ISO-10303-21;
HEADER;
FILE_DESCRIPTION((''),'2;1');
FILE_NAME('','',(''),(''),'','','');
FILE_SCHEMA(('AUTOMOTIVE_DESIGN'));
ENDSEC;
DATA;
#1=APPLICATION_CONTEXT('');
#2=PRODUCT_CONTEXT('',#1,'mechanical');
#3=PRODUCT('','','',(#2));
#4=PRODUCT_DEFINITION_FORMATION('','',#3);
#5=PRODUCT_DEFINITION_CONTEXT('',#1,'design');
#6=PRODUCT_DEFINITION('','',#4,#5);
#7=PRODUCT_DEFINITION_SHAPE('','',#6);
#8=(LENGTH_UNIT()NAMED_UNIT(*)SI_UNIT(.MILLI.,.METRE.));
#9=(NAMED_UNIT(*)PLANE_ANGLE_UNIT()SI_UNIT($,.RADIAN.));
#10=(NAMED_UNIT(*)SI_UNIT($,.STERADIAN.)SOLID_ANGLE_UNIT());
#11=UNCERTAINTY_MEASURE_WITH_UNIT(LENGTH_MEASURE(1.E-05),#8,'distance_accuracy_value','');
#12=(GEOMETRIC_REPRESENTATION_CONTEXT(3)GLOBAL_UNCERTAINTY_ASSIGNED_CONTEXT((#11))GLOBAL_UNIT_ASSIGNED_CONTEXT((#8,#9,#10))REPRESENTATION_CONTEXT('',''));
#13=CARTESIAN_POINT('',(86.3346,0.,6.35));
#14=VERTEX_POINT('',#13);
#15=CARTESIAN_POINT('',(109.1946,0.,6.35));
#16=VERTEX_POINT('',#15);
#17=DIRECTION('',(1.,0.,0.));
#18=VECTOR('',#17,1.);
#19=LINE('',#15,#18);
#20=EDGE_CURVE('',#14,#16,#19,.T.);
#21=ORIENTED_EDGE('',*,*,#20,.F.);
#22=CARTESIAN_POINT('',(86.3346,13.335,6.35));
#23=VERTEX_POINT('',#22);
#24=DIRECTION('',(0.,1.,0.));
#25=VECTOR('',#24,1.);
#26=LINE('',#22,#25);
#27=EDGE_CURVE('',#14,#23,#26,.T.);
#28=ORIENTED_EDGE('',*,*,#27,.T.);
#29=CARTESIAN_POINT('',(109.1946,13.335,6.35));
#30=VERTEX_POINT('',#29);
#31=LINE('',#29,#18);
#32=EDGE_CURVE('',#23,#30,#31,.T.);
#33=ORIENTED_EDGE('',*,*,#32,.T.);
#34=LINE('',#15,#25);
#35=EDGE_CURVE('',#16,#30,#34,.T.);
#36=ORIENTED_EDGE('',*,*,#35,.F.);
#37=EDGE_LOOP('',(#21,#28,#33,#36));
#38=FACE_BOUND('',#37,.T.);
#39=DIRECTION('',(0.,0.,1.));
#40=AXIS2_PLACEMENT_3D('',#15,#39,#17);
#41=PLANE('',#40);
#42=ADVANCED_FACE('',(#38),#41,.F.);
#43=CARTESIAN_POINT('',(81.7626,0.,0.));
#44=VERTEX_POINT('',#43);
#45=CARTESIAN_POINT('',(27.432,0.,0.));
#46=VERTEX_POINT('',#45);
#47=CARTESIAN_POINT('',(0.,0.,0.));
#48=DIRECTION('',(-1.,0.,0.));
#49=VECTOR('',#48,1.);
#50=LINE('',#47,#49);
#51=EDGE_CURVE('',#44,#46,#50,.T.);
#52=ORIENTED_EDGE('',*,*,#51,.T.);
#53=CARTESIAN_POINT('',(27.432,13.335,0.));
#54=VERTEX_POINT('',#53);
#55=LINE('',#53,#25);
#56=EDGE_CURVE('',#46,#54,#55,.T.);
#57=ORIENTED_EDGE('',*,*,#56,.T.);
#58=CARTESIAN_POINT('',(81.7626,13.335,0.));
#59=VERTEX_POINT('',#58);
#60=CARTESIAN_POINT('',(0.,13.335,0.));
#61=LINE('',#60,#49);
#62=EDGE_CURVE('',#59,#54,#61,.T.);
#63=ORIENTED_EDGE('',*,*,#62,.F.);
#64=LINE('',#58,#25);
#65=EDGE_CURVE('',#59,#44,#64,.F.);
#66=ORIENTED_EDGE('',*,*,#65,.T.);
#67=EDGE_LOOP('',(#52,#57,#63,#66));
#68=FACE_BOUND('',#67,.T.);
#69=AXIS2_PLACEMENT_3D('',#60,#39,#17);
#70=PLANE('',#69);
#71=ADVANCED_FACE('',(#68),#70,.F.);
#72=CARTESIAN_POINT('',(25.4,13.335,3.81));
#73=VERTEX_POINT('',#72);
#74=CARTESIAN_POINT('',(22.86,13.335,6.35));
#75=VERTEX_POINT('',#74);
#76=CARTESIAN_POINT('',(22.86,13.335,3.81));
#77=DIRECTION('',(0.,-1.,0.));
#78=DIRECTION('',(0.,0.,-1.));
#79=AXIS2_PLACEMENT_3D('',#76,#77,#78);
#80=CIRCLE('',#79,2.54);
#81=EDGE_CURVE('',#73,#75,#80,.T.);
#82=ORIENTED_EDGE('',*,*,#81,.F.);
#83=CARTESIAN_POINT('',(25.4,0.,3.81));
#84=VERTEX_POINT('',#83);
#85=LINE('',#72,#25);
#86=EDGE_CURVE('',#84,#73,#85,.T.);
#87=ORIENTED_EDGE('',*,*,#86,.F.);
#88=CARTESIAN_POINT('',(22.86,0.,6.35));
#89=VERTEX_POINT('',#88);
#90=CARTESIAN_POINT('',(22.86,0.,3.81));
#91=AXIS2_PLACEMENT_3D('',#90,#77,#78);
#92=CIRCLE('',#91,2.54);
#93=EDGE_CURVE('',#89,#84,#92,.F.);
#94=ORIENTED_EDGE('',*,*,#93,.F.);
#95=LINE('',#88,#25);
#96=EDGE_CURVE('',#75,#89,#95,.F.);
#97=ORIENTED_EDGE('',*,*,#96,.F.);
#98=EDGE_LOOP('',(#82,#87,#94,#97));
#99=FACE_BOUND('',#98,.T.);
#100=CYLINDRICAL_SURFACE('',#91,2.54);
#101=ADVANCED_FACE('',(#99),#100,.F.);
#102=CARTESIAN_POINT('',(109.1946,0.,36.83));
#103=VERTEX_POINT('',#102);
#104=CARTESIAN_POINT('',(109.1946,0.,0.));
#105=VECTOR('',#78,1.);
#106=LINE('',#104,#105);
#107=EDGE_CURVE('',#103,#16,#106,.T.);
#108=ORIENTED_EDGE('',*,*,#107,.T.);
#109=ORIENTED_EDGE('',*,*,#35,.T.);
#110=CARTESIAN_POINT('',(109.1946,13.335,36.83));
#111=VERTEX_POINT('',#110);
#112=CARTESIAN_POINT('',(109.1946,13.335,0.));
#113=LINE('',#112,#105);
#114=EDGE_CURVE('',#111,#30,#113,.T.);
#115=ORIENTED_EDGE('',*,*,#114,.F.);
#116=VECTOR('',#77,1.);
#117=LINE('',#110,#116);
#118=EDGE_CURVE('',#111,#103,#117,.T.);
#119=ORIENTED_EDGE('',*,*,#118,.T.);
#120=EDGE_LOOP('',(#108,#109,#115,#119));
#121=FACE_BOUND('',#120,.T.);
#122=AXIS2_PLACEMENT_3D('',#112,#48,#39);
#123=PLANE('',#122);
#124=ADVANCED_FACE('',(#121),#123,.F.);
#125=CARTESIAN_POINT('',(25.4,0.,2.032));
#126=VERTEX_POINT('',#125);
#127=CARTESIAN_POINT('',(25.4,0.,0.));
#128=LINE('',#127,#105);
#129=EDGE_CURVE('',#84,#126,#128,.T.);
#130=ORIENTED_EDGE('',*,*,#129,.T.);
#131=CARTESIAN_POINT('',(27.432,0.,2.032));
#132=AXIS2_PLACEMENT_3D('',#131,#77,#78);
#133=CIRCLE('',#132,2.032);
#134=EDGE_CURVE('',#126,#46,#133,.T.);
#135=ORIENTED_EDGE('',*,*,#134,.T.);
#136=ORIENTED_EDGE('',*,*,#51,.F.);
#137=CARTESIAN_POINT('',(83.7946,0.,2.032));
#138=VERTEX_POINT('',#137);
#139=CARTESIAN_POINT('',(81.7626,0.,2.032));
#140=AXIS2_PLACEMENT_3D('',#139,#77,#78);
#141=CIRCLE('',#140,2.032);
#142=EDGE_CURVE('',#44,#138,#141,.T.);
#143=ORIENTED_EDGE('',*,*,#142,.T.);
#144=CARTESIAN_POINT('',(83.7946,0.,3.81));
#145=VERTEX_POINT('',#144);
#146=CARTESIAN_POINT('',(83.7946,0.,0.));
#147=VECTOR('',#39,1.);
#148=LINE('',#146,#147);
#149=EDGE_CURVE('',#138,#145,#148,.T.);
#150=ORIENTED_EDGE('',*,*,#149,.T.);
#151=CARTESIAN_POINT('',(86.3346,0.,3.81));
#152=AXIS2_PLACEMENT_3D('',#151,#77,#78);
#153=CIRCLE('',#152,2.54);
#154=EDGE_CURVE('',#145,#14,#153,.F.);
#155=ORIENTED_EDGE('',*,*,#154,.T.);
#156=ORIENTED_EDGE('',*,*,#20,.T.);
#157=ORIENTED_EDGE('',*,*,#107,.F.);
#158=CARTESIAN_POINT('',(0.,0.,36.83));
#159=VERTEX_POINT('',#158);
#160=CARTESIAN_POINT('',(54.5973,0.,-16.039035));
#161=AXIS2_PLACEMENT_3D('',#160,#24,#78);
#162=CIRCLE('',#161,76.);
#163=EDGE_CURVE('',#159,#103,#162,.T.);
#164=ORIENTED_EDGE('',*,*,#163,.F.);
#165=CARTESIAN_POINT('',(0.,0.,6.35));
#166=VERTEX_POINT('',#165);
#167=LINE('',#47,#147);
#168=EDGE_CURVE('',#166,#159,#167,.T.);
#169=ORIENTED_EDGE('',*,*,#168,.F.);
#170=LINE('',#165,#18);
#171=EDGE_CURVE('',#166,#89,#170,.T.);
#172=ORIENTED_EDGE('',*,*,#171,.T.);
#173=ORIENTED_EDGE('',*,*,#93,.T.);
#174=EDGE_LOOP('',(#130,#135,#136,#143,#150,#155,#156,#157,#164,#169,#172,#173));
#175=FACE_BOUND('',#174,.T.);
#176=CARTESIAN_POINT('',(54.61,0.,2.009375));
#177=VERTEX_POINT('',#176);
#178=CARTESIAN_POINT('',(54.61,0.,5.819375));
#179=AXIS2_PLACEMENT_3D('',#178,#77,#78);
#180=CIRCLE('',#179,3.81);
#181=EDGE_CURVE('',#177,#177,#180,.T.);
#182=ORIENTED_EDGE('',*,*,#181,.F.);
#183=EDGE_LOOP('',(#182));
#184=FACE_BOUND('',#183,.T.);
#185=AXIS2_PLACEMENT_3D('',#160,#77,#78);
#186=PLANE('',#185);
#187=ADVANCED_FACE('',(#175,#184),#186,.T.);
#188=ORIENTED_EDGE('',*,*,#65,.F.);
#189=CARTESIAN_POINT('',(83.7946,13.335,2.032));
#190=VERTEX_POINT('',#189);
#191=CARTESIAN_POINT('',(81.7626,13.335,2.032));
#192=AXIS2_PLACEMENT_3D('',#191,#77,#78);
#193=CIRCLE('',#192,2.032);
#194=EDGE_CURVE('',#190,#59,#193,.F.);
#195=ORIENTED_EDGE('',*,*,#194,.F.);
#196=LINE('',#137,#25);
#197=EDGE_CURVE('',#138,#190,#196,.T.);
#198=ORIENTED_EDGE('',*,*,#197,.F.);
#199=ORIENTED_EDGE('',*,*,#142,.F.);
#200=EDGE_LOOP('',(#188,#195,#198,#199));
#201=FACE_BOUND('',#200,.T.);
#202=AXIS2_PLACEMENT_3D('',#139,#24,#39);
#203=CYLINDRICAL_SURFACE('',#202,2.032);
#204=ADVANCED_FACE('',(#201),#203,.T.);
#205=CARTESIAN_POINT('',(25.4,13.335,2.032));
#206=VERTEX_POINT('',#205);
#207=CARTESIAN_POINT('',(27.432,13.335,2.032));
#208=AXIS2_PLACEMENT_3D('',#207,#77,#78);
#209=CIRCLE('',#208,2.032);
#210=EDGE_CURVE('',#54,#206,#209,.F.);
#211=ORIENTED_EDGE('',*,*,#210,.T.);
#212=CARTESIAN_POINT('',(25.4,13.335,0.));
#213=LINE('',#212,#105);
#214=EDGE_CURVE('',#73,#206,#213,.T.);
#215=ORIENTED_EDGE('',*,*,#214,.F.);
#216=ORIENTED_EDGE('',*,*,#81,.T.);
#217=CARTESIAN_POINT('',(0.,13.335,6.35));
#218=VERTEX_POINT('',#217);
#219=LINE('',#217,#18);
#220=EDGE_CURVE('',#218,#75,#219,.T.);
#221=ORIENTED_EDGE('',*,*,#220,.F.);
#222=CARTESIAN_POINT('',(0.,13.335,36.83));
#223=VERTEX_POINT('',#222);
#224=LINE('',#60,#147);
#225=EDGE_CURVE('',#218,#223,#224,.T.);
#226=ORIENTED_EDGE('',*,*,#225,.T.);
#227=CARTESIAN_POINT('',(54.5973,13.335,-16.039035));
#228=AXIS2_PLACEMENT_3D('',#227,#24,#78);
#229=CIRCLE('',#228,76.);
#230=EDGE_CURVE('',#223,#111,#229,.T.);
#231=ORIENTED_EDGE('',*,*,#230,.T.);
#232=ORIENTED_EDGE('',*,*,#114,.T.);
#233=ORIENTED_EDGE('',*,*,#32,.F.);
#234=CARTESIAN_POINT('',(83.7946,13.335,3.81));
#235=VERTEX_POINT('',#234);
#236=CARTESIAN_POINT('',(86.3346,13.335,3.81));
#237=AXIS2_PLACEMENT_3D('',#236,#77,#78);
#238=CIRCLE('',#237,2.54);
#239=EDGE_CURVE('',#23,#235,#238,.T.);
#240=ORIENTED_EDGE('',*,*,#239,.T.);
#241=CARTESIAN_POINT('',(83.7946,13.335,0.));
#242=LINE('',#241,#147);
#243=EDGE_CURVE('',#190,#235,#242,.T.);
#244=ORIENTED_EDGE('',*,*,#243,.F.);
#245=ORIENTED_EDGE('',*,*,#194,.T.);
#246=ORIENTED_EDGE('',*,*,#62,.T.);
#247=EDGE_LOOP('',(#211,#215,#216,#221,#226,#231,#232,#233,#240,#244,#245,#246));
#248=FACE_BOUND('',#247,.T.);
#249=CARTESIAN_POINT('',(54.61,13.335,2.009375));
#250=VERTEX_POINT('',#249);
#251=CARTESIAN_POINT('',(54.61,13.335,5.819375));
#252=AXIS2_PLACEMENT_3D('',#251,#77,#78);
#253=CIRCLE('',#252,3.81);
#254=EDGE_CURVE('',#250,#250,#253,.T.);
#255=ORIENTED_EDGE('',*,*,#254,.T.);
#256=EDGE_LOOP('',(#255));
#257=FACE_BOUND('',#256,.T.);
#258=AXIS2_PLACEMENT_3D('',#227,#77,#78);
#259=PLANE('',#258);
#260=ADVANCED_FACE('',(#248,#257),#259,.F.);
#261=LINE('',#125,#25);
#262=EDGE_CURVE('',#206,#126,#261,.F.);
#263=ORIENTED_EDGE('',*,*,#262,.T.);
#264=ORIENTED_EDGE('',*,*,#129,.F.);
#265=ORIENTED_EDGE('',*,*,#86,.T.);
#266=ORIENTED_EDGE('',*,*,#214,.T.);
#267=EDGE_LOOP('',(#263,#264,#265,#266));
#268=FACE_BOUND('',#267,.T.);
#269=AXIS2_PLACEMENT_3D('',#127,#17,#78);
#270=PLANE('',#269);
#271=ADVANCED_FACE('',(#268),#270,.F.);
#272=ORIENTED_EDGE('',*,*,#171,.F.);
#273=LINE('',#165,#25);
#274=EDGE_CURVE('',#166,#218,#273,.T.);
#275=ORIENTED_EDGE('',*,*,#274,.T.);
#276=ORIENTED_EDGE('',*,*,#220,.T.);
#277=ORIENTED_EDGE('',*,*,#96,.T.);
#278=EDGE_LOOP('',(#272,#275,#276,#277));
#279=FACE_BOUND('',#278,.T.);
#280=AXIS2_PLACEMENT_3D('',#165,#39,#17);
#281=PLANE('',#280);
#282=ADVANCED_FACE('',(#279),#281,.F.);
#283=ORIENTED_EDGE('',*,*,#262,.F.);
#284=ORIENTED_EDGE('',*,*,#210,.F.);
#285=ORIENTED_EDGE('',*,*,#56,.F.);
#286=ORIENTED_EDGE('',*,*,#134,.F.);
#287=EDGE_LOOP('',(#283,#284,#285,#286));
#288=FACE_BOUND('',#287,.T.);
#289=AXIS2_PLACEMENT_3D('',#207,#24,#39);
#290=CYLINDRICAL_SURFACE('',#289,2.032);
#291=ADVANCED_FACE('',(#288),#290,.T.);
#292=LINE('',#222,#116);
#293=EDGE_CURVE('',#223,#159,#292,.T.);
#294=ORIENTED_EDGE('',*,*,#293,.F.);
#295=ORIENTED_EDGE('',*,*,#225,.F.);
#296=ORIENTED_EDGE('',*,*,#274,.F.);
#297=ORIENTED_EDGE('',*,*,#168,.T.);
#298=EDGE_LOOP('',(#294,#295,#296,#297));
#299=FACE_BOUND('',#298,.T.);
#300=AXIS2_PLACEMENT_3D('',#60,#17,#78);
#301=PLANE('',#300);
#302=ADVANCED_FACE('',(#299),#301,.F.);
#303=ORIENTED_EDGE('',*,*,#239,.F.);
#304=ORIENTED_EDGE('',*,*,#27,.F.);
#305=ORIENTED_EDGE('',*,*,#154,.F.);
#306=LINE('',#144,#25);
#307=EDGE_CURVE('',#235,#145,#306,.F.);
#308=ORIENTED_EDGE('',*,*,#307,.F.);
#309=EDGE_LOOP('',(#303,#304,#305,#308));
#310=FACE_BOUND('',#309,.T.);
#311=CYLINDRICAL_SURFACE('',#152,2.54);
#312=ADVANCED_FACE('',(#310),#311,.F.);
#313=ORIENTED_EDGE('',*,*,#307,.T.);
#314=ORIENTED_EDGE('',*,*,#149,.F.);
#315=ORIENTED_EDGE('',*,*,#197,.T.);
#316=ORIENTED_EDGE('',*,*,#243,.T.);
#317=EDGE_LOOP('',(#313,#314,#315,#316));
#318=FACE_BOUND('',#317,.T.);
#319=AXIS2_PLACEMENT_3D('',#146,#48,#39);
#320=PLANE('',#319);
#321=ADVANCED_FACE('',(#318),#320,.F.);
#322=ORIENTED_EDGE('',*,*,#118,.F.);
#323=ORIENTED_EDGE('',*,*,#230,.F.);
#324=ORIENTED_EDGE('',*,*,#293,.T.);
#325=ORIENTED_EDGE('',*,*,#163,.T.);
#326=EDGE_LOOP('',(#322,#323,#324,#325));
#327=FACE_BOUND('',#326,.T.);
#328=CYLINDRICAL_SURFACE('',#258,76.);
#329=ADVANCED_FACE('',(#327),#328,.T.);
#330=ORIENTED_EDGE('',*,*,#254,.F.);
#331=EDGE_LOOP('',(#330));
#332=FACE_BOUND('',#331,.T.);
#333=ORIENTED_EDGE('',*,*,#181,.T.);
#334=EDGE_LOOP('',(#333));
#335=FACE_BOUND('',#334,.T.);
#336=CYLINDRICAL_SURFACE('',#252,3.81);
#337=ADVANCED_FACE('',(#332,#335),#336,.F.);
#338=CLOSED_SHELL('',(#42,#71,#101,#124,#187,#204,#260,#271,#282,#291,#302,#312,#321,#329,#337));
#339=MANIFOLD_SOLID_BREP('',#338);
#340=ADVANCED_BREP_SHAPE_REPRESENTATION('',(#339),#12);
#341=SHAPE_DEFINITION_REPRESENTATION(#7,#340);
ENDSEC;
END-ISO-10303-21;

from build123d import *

# Parameters (mm, degrees)
BOSS_EXTRUDE2_DEPTH = 13.335
SKETCH10_W          = 25.4
SKETCH10_H          = 6.35
CUT_EXTRUDE1_DEPTH  = 14.335
FILLET1_R           = 2.54
FILLET2_R           = 2.032
SKETCH11_R          = 3.81
CUT_EXTRUDE2_DEPTH  = 14.335


with BuildPart() as part:
    # Sketch6 → Boss-Extrude2 (new body)
    with BuildSketch(Plane(origin=(0, 0, 0), x_dir=(1, 0, 0), z_dir=(0, 1, 0))):
        with BuildLine():
            Line((0, 0), (109.1946, 0))
            Line((109.1946, 0), (109.1946, -36.83))
            ThreePointArc((109.1946, -36.83), (54.5973, -59.960965275), (0, -36.83))
            Line((0, -36.83), (0, 0))
        make_face()
    extrude(amount=BOSS_EXTRUDE2_DEPTH)

    # Sketch10 → Cut-Extrude1 (cut, through all)
    with BuildSketch(Plane(origin=(0, 13.335, 0), x_dir=(1, 0, 0), z_dir=(0, 1, 0))):
        with Locations((96.4946, -3.175)):
            Rectangle(SKETCH10_W, SKETCH10_H)
        with Locations((12.7, -3.175)):
            Rectangle(SKETCH10_W, SKETCH10_H)
    extrude(amount=-CUT_EXTRUDE1_DEPTH, mode=Mode.SUBTRACT)

    # Fillet1
    fillet1_edges = [part.edges().sort_by_distance(p)[0] for p in [
        (25.4, 6.6675, 6.35),
        (83.7946, 6.6675, 6.35),
    ]]
    fillet(fillet1_edges, radius=FILLET1_R)

    # Fillet2
    fillet2_edges = [part.edges().sort_by_distance(p)[0] for p in [
        (25.4, 6.6675, 0),
        (83.7946, 6.6675, 0),
    ]]
    fillet(fillet2_edges, radius=FILLET2_R)

    # Sketch11 → Cut-Extrude2 (cut, through all)
    with BuildSketch(Plane.XZ):
        with Locations((54.61, 5.819375203)):
            Circle(SKETCH11_R)
    extrude(amount=-CUT_EXTRUDE2_DEPTH, mode=Mode.SUBTRACT)


solid = part.part
